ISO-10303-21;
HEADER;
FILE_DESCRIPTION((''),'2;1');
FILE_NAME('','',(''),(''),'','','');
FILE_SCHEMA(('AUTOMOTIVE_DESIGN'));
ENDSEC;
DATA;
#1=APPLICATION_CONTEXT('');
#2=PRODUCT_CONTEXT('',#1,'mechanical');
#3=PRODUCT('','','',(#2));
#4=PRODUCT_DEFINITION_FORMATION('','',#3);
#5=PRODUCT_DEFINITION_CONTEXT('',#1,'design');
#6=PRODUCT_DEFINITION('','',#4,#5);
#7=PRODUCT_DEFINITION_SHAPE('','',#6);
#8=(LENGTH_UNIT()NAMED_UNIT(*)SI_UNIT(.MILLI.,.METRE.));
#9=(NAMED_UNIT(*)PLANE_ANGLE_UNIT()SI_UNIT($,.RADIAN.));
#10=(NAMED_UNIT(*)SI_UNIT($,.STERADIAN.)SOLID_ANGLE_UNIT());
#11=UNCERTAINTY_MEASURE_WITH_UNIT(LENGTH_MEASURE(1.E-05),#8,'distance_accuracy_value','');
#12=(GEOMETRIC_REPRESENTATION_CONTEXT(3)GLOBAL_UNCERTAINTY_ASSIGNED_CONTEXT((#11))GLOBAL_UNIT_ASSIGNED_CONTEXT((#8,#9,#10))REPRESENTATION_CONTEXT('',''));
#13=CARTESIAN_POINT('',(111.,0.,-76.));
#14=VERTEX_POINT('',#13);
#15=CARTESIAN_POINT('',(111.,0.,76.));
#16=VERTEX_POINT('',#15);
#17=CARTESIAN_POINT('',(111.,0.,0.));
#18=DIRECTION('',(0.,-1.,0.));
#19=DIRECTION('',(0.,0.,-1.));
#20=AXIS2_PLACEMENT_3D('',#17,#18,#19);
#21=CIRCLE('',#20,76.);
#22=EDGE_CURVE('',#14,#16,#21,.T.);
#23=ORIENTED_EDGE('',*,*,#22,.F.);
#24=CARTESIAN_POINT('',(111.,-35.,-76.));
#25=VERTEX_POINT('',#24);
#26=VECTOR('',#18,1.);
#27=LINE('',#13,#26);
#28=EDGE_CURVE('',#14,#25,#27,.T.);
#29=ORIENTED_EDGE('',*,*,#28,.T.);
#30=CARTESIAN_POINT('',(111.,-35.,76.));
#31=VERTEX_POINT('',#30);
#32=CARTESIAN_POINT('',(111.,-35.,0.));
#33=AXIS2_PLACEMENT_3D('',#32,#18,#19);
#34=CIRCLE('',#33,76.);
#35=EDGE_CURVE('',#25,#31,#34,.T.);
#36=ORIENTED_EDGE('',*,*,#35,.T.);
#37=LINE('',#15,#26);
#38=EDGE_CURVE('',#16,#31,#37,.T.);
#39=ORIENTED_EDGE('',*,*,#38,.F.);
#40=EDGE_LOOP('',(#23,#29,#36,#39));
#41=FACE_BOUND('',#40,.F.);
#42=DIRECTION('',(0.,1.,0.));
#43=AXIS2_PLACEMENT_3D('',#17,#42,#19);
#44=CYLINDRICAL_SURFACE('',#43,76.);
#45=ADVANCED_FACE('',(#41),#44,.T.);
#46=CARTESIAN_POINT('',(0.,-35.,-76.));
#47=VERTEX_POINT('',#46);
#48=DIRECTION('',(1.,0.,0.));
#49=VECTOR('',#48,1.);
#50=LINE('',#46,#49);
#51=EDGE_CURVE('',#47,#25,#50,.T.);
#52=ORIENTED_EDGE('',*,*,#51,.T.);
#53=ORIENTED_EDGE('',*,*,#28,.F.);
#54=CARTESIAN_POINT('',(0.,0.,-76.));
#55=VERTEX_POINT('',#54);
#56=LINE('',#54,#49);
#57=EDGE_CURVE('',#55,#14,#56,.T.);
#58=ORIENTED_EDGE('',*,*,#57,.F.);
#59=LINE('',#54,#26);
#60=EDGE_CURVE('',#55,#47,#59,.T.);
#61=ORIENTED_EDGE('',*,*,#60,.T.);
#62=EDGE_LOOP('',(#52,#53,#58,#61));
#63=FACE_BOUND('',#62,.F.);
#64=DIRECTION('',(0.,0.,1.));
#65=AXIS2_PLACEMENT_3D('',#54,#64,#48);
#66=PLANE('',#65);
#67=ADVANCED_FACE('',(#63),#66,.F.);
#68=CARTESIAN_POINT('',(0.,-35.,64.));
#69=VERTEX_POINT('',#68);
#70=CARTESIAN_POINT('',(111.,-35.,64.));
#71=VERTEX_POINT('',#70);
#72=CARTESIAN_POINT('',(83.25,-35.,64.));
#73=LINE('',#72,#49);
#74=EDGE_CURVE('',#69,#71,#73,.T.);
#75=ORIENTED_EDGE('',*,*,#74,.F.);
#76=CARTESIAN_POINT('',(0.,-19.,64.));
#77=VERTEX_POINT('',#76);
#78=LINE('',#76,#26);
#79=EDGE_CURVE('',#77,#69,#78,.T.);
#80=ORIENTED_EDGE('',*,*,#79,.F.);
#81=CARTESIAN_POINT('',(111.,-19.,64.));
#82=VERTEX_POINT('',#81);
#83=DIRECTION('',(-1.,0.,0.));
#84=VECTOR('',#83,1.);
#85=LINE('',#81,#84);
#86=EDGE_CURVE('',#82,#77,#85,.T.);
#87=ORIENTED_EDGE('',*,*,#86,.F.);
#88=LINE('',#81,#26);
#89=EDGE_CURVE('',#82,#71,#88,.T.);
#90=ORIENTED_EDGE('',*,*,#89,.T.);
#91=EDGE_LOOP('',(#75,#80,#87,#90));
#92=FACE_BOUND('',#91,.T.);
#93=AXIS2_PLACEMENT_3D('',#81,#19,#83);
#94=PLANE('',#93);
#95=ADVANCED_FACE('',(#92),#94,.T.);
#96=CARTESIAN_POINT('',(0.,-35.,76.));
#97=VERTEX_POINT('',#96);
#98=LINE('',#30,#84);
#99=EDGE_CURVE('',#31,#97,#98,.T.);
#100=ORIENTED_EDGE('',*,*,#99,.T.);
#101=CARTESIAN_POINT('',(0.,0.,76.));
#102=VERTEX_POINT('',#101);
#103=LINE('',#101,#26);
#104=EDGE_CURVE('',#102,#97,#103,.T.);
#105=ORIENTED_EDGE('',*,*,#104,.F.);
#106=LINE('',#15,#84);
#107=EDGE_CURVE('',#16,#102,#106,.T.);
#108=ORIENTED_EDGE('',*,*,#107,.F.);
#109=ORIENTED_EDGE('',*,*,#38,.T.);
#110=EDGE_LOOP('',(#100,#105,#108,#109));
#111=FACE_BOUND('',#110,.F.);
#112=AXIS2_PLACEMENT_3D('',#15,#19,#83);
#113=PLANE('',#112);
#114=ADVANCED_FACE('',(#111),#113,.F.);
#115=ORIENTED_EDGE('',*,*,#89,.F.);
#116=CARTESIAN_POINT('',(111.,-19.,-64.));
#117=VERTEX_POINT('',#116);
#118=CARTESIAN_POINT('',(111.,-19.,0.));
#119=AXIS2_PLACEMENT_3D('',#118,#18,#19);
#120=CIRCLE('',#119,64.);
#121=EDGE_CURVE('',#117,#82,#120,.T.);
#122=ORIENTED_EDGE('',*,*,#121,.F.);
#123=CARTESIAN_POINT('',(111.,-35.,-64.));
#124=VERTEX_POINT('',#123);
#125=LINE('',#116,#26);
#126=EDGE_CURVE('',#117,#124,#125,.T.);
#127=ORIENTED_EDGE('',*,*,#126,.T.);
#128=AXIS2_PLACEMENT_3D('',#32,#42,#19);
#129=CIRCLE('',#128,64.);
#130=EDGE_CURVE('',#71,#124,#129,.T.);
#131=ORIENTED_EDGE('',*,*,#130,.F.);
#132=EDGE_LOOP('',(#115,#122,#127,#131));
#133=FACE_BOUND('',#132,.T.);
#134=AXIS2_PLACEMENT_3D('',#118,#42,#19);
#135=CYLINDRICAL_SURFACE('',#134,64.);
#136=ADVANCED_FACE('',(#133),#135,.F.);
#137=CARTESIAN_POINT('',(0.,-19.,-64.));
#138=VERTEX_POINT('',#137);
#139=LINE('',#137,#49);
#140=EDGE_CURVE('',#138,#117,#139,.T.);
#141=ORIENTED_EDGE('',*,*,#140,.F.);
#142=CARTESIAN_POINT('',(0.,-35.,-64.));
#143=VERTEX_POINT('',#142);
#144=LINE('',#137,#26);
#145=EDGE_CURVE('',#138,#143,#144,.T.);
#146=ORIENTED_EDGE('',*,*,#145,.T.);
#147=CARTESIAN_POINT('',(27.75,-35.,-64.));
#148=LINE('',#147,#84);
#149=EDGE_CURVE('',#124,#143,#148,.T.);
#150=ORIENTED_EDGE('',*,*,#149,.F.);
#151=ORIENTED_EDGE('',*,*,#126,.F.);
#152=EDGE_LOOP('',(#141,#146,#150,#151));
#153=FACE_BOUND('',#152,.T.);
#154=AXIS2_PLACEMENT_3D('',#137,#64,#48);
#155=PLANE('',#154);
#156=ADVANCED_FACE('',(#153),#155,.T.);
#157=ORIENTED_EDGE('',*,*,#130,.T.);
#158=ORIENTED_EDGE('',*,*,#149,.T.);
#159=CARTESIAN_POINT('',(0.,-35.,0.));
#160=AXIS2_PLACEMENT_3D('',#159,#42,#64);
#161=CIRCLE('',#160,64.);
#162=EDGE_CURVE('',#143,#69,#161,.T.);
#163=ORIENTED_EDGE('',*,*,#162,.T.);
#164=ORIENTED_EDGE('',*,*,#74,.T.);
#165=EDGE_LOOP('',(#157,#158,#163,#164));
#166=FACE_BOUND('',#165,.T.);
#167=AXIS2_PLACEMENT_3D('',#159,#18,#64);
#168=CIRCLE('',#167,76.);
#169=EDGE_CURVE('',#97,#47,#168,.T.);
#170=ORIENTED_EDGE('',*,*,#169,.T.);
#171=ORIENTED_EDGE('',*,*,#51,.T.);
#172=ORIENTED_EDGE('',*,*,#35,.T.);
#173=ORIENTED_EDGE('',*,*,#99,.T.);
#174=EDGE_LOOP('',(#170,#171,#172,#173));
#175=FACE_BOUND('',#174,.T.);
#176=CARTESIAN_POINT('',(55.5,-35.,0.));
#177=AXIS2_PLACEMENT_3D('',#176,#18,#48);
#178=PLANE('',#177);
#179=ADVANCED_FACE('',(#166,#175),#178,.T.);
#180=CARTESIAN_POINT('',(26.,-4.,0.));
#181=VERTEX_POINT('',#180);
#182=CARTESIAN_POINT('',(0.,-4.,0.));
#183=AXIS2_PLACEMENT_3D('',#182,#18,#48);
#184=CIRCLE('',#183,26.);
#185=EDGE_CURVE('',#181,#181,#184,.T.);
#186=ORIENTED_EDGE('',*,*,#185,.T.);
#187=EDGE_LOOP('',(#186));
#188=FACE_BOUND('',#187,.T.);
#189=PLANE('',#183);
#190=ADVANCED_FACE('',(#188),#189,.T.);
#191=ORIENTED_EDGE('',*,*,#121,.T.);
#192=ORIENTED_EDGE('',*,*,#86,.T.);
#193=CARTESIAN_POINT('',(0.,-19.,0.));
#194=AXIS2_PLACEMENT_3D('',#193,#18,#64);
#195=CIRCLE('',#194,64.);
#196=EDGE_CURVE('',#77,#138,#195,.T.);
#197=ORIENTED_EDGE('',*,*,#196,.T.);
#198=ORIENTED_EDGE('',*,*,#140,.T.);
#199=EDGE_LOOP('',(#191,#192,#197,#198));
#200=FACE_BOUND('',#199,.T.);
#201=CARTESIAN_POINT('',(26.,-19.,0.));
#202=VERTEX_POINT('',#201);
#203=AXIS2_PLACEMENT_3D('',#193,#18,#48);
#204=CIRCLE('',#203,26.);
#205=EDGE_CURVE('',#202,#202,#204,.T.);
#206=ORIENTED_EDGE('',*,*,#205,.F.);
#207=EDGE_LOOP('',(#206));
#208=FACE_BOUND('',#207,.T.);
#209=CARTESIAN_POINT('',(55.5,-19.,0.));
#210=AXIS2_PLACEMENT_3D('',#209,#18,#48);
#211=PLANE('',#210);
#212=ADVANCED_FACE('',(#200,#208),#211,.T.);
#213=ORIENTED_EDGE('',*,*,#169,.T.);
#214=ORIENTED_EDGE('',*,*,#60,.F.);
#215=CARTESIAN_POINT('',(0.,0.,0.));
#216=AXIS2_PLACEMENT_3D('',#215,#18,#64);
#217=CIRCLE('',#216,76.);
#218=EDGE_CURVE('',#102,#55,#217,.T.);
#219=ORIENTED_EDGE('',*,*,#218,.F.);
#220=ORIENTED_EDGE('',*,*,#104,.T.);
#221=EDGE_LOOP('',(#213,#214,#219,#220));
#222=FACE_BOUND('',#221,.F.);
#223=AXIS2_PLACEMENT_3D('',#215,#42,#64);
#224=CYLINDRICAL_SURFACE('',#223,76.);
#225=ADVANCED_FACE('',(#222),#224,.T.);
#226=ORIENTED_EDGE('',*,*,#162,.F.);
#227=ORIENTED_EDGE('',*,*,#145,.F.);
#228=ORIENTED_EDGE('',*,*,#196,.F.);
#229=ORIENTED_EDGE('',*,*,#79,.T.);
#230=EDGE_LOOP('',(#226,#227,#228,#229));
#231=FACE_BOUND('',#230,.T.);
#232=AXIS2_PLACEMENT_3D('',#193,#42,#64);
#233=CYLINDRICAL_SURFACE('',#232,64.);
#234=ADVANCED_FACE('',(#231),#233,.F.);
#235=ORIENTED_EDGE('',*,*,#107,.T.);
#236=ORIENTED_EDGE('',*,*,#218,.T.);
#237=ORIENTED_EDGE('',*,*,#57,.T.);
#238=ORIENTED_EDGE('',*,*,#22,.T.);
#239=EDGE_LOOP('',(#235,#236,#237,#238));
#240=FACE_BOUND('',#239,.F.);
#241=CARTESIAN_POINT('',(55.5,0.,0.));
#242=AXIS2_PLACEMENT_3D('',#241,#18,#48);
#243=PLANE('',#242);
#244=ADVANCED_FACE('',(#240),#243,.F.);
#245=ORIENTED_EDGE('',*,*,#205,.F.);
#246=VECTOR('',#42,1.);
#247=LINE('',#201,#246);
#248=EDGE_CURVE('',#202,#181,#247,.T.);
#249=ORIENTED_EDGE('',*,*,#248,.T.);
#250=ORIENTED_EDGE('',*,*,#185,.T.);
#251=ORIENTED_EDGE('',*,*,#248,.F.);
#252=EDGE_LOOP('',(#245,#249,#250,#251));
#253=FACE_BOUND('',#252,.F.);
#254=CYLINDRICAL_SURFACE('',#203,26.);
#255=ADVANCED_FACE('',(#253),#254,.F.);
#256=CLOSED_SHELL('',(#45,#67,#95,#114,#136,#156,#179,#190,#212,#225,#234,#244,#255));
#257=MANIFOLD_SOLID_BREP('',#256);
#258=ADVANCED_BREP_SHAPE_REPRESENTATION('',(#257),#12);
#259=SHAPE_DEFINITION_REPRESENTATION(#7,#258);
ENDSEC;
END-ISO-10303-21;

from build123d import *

# Parameters (mm, degrees)
F1_DEPTH = 35
F4_DEPTH = 19
F5_R     = 26
F6_DEPTH = 15


with BuildPart() as f1:
    # F0 (on Front) → F1 (new body)
    with BuildSketch(Plane.XZ):
        with BuildLine():
            Line((111, 76), (0, 76))
            ThreePointArc((0, 76), (-76, 0), (0, -76))
            Line((0, -76), (111, -76))
            ThreePointArc((111, -76), (187, 0), (111, 76))
        make_face()
    extrude(amount=F1_DEPTH)

    # F3 (on offset) → F4 (cut)
    with BuildSketch(Plane.XZ.offset(19)):
        with BuildLine():
            Line((111, 64), (0, 64))
            ThreePointArc((0, 64), (-64, 0), (0, -64))
            Line((0, -64), (111, -64))
            ThreePointArc((111, -64), (175, 0), (111, 64))
        make_face()
    extrude(amount=F4_DEPTH, mode=Mode.SUBTRACT)

    # F5 (on offset) → F6 (cut)
    with BuildSketch(Plane.XZ.offset(19)):
        Circle(F5_R)
    extrude(amount=-F6_DEPTH, mode=Mode.SUBTRACT)


solid = f1.part
